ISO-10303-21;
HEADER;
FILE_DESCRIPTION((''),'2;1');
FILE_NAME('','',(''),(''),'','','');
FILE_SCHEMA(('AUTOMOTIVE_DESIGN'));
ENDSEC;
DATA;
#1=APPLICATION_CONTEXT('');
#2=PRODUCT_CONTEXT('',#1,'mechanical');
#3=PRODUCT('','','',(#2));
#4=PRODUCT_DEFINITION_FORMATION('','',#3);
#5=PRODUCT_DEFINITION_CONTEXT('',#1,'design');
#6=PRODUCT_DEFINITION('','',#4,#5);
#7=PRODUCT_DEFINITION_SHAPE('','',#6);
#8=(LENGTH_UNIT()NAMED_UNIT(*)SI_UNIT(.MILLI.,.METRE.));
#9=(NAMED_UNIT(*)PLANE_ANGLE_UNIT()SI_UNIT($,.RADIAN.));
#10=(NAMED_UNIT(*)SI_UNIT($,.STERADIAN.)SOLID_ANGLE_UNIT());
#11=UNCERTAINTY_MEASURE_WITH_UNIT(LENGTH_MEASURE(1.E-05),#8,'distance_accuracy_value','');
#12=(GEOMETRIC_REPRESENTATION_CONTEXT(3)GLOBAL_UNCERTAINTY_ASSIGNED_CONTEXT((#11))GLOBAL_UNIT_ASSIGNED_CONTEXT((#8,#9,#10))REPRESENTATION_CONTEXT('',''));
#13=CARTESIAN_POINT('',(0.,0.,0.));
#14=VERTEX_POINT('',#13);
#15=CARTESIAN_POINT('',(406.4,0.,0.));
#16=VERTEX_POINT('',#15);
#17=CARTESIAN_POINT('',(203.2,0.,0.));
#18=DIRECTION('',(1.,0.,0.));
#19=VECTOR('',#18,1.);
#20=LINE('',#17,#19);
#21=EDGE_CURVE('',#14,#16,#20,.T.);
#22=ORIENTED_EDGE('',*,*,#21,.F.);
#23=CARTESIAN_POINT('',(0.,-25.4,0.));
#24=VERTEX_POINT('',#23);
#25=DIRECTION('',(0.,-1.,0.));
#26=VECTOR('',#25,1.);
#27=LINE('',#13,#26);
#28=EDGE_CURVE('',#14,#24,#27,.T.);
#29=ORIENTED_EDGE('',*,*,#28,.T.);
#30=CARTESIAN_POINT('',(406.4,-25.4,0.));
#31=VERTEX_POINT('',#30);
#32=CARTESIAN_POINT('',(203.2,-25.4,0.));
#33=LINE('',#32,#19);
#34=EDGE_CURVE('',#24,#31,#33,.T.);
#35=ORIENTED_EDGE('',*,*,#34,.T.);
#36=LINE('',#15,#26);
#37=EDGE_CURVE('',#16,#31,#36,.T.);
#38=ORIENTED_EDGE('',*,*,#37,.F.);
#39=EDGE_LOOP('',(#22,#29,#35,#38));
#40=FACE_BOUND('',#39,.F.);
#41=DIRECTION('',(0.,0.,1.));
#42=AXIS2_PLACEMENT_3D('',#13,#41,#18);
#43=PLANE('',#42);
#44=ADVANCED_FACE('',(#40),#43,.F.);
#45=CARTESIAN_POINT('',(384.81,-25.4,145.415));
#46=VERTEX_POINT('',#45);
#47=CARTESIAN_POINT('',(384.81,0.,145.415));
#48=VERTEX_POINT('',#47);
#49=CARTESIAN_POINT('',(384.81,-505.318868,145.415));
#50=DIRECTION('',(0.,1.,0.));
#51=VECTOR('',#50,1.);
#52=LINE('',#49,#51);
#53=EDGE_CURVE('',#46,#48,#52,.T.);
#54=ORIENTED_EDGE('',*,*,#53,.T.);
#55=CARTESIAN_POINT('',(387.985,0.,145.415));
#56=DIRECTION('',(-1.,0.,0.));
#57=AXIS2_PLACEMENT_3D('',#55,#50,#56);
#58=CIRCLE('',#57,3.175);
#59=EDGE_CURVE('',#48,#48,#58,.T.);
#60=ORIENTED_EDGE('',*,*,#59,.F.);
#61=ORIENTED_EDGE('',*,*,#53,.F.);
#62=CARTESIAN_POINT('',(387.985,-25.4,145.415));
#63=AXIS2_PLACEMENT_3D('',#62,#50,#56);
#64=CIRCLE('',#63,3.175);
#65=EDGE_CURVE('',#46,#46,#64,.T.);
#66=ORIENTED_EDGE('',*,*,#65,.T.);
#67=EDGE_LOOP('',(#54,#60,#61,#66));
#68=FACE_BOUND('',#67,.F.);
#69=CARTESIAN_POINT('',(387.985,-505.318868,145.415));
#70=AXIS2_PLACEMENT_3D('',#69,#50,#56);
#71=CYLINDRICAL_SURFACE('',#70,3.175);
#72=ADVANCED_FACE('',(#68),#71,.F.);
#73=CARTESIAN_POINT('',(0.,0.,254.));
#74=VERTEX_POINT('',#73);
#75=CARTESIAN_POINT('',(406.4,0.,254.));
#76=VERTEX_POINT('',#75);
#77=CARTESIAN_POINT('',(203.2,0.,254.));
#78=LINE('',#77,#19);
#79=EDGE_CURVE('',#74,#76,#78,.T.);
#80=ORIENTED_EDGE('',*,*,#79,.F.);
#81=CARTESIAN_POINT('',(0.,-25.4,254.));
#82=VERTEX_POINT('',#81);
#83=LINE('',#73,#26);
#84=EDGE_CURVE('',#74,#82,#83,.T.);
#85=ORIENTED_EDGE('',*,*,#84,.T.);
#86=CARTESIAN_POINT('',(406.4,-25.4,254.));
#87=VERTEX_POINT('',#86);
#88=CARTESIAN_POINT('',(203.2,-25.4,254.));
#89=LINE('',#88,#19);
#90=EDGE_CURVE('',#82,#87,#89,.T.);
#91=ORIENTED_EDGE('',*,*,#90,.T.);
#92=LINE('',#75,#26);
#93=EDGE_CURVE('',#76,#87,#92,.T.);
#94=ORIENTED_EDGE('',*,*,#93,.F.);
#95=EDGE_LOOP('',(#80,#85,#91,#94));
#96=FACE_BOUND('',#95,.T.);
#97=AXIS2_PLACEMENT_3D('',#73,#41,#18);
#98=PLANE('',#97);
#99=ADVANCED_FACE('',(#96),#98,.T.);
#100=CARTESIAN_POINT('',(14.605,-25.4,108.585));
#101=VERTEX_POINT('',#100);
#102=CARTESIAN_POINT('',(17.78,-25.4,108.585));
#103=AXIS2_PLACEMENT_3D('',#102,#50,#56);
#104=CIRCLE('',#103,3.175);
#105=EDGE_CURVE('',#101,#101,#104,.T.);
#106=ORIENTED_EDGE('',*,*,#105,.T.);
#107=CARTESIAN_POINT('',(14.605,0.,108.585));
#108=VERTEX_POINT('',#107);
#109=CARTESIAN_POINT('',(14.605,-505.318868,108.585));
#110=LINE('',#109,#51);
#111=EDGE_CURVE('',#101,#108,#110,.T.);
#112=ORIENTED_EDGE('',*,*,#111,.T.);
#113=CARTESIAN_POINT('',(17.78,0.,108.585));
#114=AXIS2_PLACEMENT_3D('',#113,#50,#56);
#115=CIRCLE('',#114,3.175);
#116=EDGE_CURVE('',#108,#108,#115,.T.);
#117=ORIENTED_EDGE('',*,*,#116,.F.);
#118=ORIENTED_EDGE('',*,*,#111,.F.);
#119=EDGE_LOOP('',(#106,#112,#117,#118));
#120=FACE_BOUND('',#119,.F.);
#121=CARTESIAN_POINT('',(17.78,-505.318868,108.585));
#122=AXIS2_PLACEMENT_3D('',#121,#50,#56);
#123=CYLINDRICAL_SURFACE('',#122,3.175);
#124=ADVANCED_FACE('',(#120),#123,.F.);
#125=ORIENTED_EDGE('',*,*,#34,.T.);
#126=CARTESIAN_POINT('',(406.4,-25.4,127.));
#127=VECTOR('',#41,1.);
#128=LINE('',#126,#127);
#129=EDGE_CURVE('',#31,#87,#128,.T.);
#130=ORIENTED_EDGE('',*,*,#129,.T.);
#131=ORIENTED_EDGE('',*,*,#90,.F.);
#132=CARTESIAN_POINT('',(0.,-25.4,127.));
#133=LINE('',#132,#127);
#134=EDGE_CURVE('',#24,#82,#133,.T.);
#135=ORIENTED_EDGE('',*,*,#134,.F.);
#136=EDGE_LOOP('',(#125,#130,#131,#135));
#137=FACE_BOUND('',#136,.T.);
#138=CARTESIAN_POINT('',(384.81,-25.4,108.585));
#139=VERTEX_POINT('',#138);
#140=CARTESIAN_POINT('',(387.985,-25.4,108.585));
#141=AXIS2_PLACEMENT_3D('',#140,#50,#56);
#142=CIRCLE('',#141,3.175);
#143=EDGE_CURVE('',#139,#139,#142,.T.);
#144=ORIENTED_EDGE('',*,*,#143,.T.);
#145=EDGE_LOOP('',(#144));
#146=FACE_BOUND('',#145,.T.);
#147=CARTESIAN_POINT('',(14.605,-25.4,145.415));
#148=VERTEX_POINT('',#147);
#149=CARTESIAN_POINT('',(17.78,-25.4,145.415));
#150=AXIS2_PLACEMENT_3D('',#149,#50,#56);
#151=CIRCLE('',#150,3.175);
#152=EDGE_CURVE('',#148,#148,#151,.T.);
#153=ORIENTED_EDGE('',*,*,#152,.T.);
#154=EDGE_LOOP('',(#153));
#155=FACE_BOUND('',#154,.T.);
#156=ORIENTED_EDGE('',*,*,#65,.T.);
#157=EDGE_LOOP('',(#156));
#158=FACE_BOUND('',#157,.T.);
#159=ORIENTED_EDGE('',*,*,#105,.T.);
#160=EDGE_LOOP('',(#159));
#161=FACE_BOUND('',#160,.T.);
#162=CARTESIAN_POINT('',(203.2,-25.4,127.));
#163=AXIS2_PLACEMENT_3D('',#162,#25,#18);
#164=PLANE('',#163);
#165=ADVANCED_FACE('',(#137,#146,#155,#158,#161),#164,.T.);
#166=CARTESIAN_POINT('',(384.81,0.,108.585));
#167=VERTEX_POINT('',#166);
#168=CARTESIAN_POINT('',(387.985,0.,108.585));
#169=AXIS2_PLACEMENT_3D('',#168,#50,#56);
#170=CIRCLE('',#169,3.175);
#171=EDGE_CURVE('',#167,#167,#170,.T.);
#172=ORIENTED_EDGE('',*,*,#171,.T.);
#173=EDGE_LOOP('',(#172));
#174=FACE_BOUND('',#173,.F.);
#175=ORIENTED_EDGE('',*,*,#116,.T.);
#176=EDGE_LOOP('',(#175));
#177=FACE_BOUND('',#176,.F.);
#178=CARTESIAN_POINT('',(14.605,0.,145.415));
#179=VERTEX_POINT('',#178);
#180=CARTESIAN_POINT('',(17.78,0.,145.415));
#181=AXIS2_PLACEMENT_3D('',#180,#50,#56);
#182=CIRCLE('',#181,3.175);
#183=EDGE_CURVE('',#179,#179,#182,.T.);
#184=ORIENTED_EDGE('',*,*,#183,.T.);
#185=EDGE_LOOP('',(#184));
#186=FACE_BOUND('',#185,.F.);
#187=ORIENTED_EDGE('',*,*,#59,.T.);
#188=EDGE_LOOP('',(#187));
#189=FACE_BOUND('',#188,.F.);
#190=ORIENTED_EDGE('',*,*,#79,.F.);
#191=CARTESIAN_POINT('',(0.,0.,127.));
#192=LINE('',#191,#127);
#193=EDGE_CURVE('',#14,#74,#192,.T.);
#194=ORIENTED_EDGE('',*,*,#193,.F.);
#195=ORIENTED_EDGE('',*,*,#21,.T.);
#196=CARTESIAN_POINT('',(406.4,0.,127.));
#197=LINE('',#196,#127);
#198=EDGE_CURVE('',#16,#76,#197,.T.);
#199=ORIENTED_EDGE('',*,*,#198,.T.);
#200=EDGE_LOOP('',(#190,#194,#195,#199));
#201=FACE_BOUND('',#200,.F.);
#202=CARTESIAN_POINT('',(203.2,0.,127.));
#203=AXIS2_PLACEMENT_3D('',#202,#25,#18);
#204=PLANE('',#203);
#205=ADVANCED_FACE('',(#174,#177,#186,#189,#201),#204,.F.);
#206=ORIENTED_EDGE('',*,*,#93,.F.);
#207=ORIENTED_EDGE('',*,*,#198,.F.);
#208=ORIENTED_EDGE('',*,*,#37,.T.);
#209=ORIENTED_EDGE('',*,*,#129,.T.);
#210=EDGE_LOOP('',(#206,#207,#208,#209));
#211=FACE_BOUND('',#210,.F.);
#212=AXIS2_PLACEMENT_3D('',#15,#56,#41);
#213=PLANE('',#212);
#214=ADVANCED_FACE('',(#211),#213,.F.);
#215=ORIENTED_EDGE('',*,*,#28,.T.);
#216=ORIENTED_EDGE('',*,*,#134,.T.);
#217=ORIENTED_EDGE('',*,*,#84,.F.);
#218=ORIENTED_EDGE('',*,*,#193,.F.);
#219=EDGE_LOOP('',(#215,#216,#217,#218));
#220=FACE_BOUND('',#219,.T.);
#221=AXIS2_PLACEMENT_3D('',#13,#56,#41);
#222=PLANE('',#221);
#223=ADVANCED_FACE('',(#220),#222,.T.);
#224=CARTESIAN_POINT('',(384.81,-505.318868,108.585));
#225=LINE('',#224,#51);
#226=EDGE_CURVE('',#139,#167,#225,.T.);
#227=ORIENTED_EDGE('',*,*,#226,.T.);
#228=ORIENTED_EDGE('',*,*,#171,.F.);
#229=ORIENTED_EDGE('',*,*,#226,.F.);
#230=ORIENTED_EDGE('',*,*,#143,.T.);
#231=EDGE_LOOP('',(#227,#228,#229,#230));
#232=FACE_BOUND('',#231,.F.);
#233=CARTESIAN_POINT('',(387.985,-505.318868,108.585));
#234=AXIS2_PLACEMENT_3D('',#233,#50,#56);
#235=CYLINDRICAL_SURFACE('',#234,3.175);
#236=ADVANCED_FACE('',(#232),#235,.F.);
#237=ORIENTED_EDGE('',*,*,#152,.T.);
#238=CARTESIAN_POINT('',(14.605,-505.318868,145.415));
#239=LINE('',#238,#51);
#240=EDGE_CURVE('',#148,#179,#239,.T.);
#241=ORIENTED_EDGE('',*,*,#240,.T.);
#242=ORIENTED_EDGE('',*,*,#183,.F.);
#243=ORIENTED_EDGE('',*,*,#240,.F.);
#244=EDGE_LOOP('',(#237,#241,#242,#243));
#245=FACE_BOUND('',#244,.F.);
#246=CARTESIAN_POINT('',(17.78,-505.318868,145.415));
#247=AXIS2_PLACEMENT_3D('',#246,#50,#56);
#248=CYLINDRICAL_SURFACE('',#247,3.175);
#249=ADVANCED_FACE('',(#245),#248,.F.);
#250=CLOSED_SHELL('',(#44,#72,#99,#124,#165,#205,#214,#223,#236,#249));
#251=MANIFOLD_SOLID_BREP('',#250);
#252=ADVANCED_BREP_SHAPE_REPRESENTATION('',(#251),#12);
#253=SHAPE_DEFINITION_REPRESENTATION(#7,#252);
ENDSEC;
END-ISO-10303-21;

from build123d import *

# Parameters (mm, degrees)
F0_W     = 406.4
F0_H     = 254
F1_DEPTH = 25.4
F3_D     = 6.35


with BuildPart() as f1:
    # F0 (on Front) → F1 (new body)
    with BuildSketch(Plane.XZ):
        with Locations((203.2, 127)):
            Rectangle(F0_W, F0_H)
    extrude(amount=F1_DEPTH)

    # F3 (through all)
    with Locations(Plane.XZ.offset(25.4)):
        with Locations((17.78, 145.415), (17.78, 108.585), (387.985, 145.415), (387.985, 108.585)):
            Hole(F3_D / 2)


solid = f1.part
